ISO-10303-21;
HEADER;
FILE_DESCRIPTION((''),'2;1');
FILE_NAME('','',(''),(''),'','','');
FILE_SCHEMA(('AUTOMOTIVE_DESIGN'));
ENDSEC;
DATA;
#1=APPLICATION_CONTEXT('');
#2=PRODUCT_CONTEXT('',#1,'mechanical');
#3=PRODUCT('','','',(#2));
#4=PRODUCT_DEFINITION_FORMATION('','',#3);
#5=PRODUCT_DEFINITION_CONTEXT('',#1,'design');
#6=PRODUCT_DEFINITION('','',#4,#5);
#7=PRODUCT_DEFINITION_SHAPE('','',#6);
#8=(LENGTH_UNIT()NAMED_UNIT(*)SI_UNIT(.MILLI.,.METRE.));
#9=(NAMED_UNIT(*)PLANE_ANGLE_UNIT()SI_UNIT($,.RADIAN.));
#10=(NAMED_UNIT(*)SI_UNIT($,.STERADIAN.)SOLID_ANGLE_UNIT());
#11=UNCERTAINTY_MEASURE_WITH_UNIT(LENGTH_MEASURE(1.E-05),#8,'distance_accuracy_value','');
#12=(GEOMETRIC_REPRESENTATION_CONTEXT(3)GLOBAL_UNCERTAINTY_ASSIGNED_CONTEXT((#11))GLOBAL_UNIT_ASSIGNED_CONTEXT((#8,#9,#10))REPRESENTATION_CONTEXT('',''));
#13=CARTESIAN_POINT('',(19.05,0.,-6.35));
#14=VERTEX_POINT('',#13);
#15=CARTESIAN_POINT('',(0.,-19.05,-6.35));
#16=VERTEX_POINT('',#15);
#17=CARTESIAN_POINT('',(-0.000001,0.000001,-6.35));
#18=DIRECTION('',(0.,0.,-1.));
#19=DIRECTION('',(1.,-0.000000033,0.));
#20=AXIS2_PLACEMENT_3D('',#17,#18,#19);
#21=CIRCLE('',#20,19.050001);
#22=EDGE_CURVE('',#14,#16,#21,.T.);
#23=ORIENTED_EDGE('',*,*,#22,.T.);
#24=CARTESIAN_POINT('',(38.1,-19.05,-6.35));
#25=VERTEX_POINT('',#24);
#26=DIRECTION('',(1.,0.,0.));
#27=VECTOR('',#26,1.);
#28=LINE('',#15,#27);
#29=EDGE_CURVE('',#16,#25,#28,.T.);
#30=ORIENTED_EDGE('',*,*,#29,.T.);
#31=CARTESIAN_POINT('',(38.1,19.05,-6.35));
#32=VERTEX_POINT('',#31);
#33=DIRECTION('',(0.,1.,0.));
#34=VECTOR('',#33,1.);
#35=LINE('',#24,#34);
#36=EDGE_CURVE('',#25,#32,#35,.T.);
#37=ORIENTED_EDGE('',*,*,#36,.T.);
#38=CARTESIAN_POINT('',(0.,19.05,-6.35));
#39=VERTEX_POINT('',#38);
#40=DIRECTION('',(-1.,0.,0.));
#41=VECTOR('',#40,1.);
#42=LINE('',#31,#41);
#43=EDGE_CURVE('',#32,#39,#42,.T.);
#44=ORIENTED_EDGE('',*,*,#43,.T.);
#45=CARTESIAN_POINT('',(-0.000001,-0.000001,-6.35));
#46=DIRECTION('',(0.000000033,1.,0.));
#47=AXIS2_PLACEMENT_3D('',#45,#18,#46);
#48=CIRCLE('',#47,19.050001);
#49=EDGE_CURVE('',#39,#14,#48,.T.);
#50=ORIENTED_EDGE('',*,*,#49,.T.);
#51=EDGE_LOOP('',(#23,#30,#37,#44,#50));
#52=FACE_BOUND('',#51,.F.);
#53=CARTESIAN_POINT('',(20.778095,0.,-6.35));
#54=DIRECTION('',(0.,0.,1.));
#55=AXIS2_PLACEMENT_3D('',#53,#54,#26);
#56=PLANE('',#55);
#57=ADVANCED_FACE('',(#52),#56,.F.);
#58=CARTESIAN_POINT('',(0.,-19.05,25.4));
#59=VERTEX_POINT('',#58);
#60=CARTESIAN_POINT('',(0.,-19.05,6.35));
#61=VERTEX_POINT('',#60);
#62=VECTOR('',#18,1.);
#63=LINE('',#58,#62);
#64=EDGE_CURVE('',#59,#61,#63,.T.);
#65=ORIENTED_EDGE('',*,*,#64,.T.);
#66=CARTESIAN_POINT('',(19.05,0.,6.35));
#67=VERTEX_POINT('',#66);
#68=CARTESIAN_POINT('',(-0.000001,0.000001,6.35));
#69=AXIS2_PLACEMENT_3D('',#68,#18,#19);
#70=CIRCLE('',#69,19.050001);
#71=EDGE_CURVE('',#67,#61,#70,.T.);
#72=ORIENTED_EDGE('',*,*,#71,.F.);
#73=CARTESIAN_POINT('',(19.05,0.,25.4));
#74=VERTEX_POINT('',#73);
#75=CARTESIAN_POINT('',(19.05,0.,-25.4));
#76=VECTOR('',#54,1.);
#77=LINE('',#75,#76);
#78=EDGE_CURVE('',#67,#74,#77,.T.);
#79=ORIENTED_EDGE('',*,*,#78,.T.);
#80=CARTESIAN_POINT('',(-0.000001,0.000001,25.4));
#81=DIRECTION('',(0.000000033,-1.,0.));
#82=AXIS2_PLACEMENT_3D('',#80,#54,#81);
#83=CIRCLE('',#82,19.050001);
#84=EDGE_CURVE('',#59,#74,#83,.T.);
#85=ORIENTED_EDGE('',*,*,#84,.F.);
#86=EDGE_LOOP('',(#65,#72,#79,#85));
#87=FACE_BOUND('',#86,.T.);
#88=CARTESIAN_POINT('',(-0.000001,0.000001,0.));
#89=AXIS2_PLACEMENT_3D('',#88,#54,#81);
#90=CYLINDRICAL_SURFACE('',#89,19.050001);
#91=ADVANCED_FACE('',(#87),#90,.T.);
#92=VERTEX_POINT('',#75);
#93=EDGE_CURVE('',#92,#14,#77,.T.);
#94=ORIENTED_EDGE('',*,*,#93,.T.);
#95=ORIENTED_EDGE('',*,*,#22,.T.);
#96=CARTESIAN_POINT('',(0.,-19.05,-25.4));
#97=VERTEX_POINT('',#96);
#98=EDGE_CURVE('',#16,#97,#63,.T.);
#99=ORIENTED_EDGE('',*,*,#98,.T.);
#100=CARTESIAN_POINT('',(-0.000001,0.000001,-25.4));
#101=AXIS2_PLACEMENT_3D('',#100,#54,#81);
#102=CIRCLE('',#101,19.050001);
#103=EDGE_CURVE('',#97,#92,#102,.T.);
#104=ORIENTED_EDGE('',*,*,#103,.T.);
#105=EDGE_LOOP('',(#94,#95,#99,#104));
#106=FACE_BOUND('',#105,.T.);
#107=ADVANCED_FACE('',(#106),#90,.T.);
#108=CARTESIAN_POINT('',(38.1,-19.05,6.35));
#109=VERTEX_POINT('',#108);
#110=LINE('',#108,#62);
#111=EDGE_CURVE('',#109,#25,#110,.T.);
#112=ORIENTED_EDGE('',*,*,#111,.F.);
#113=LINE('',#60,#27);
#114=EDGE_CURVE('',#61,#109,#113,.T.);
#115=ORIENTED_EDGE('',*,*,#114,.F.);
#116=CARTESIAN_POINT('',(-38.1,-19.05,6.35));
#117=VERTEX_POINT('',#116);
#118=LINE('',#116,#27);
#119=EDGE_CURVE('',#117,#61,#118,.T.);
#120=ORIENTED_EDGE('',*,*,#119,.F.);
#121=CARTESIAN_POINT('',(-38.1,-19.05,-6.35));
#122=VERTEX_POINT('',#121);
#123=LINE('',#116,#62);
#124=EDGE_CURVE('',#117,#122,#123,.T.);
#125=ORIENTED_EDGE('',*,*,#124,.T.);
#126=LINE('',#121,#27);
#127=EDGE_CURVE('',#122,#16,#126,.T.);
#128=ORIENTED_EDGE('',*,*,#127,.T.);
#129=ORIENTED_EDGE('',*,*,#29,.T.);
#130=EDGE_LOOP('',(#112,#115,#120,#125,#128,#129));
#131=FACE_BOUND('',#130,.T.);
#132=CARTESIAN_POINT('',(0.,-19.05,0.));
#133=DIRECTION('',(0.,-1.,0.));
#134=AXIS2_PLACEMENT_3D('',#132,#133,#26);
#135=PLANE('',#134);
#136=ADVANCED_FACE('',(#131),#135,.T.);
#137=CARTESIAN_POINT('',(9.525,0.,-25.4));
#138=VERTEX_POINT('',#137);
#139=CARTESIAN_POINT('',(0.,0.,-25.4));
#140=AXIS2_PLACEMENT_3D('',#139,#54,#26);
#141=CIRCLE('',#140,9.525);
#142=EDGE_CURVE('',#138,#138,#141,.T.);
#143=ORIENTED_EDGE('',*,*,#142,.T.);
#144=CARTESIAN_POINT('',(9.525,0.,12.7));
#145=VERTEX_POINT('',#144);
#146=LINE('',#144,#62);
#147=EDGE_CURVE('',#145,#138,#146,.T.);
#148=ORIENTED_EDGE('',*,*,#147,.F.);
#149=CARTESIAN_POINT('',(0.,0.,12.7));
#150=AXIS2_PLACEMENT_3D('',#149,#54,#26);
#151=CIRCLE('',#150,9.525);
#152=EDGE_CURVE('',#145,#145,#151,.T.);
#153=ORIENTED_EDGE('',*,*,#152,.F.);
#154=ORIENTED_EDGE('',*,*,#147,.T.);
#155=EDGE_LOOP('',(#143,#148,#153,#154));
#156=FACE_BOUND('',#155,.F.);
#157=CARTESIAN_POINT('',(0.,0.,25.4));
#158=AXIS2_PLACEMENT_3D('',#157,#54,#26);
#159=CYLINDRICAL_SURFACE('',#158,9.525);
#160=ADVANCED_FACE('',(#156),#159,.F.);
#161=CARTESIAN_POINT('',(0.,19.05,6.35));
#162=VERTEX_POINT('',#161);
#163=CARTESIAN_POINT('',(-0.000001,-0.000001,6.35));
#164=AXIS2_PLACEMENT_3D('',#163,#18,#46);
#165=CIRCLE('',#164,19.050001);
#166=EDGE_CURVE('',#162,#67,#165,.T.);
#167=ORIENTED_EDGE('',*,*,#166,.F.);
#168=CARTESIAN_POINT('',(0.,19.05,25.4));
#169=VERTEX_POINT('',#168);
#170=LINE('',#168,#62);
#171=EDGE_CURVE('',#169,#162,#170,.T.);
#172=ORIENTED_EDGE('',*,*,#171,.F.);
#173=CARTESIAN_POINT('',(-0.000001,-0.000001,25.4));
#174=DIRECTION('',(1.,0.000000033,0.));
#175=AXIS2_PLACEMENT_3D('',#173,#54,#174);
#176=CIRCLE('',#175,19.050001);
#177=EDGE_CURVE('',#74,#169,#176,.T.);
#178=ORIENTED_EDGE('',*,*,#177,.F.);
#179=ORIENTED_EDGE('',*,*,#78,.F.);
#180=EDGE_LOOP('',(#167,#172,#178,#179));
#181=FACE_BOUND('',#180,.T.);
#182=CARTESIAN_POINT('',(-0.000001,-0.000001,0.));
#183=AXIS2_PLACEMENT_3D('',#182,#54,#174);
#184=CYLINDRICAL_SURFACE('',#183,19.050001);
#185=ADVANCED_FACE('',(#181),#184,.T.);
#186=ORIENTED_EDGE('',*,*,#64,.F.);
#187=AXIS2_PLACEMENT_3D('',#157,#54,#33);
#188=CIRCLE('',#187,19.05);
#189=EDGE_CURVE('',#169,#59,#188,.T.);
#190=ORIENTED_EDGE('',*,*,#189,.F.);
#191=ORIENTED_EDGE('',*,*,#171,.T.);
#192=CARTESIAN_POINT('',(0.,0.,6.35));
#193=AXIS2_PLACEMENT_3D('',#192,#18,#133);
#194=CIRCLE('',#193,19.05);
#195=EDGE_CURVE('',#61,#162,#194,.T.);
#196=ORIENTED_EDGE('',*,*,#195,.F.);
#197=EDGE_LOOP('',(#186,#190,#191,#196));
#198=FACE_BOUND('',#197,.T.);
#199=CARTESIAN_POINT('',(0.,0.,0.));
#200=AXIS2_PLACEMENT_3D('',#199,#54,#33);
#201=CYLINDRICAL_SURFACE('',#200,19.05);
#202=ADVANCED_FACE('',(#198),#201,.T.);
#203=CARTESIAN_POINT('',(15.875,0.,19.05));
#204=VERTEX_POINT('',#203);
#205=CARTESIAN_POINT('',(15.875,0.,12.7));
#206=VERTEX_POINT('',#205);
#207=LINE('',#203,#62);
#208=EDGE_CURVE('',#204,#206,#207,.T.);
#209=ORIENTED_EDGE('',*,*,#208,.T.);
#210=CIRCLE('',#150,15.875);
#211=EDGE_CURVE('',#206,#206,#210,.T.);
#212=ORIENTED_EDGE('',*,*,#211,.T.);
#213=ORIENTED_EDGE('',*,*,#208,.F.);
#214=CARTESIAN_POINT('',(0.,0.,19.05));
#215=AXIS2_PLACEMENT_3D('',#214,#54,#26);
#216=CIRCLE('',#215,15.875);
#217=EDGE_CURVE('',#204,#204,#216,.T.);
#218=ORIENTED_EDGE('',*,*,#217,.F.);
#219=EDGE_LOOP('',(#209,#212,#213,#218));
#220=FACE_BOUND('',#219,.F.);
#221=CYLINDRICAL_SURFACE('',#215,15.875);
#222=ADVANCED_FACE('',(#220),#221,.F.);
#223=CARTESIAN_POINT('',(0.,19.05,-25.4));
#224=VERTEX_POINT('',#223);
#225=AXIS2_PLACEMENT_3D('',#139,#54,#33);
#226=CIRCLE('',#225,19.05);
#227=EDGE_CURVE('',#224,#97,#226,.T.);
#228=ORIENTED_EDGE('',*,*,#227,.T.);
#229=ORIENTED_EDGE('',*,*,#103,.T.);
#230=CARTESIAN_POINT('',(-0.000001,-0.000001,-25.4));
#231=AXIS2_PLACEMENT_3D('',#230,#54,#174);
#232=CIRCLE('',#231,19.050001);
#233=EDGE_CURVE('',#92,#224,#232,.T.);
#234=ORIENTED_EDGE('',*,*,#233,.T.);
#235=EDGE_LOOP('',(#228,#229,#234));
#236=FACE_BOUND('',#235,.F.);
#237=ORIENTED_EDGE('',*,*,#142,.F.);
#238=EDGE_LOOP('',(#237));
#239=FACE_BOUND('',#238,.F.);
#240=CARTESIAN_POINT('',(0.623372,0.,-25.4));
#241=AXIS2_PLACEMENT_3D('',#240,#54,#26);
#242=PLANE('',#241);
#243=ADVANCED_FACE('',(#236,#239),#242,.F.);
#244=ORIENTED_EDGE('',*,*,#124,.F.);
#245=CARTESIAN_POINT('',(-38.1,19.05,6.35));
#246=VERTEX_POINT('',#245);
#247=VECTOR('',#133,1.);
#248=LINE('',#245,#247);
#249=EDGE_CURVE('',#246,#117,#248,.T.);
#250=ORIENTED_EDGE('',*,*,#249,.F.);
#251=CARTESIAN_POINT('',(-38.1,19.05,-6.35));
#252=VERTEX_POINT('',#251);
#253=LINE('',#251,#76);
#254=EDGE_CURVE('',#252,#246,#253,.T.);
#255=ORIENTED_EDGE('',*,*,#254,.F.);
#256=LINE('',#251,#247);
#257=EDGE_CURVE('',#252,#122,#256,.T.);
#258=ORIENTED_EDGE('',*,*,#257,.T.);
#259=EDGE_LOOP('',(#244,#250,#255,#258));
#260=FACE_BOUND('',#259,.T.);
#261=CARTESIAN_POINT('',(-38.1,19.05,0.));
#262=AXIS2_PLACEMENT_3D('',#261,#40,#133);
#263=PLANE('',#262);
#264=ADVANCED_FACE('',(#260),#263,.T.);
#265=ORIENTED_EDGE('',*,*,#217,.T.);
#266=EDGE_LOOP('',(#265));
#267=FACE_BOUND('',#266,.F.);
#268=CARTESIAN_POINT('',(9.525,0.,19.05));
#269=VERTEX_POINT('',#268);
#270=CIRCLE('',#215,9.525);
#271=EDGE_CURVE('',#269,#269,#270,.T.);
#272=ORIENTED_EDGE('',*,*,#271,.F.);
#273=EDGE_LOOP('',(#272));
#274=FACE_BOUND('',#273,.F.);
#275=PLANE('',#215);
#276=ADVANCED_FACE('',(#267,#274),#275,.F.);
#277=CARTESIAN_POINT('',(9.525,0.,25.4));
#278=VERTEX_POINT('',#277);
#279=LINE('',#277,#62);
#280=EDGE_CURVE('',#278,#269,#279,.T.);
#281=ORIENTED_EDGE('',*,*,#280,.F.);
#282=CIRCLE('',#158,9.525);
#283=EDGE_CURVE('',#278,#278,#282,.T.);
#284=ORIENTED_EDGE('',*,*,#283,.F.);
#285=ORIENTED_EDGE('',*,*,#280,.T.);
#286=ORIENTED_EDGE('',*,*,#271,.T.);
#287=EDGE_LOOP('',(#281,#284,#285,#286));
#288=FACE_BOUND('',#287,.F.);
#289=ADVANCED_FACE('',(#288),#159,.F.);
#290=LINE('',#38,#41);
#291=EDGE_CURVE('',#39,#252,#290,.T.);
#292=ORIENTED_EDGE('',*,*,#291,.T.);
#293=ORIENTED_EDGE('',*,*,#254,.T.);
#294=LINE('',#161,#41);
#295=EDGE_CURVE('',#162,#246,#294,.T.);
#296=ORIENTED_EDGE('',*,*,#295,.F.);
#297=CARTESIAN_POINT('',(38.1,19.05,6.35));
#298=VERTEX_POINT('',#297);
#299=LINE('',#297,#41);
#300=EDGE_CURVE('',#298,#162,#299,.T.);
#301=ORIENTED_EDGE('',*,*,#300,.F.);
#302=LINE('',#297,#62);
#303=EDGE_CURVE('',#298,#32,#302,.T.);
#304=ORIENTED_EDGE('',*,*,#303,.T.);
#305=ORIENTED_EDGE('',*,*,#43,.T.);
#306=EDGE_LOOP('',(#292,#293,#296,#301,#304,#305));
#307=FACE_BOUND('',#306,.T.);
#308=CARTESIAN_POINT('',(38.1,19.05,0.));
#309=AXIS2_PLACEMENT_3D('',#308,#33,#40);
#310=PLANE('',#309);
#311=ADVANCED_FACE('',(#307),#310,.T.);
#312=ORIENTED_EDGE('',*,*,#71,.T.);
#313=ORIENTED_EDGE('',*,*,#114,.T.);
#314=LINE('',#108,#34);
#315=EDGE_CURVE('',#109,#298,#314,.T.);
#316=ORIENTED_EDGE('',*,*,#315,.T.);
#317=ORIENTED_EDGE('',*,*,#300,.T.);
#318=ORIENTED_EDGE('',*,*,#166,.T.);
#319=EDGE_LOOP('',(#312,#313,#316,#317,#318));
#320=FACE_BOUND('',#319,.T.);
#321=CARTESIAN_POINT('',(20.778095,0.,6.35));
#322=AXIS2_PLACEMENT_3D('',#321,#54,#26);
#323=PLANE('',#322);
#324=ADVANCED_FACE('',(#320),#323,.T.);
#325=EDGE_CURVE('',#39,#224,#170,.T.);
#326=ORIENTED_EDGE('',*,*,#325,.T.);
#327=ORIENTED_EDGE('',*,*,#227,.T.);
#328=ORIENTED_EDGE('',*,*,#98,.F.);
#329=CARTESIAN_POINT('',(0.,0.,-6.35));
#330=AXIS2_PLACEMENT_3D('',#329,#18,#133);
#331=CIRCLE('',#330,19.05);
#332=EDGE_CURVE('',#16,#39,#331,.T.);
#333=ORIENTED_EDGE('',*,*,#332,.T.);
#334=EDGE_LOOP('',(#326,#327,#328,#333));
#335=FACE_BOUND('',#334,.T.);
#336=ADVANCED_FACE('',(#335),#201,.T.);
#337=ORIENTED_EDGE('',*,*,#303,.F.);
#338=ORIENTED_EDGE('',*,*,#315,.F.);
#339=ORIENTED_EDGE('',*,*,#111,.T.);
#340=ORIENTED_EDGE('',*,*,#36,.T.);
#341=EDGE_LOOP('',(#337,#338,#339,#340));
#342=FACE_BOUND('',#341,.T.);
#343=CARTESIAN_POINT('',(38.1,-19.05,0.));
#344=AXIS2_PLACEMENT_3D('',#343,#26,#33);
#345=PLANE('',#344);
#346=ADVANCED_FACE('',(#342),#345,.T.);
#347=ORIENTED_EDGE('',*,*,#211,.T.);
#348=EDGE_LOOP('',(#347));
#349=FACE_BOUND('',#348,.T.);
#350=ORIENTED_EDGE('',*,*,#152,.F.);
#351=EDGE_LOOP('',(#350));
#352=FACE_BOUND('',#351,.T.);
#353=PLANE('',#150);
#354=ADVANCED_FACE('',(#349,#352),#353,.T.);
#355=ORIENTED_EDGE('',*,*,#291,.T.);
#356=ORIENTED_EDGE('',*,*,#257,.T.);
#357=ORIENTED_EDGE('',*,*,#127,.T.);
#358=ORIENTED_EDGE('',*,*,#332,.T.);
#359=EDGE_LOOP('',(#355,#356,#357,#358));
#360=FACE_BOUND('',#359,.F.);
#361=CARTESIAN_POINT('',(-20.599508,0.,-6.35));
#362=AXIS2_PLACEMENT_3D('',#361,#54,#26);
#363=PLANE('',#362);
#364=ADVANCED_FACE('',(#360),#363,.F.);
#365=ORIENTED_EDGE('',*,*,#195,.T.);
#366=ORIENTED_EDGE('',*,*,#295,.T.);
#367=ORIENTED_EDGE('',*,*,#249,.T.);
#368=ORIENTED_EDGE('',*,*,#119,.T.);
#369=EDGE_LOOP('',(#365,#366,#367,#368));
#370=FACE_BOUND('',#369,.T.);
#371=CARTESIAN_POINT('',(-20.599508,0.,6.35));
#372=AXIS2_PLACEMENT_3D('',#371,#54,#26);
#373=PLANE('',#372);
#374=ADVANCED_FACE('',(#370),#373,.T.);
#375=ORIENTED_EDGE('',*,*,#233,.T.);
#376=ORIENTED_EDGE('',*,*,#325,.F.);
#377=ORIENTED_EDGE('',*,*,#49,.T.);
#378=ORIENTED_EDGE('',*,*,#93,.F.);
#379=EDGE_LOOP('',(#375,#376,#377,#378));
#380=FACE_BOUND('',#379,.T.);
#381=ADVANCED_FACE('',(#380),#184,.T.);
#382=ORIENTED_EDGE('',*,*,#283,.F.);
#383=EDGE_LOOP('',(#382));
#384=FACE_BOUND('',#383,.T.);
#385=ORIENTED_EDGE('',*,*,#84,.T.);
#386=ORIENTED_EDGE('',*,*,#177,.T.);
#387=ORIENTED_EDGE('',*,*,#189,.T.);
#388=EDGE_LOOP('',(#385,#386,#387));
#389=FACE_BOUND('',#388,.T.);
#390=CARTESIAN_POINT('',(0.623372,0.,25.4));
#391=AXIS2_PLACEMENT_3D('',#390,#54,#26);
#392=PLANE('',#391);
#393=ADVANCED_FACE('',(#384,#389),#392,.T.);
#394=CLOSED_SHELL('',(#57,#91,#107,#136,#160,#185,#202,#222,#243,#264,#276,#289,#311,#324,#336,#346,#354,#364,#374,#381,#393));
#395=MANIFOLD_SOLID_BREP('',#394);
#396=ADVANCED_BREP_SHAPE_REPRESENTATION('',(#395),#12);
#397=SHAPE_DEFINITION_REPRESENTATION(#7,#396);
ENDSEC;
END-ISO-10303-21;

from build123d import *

# Parameters (mm, degrees)
F1_DEPTH = 25.4
F2_R     = 9.525
F3_DEPTH = 6.35
F4_R     = 15.875
F5_DEPTH = 6.35
F6_R     = 9.525
F7_DEPTH = 76.2
F8_DEPTH = 6.35


with BuildPart() as f1:
    # F0 (on Top) → F1 (new body, symmetric)
    with BuildSketch(Plane.XY):
        with BuildLine():
            ThreePointArc((0, -19.05), (13.470384, -13.470384), (19.05, 0))
            ThreePointArc((19.05, 0), (13.470384, 13.470384), (0, 19.05))
            ThreePointArc((0, 19.05), (-19.05, 0), (0, -19.05))
        make_face()
    extrude(amount=F1_DEPTH, both=True)

    # F2 (on face) → F3 (cut)
    with BuildSketch(Plane.XY.offset(12.7)):
        Circle(F2_R)
    extrude(amount=-F3_DEPTH, mode=Mode.SUBTRACT)

    # F4 (on face) → F5 (cut)
    with BuildSketch(Plane.XY.offset(19.05)):
        Circle(F4_R)
    extrude(amount=-F5_DEPTH, mode=Mode.SUBTRACT)

    # F6 (on face) → F7 (cut)
    with BuildSketch(Plane.XY.offset(25.4)):
        Circle(F6_R)
    extrude(amount=-F7_DEPTH, mode=Mode.SUBTRACT)

    # F0 (on Top) → F8 (join, symmetric)
    with BuildSketch(Plane.XY):
        with BuildLine():
            ThreePointArc((0, -19.05), (-19.05, 0), (0, 19.05))
            Line((0, 19.05), (-38.1, 19.05))
            Line((-38.1, 19.05), (-38.1, -19.05))
            Line((-38.1, -19.05), (0, -19.05))
        make_face()
        with BuildLine():
            ThreePointArc((0, 19.05), (13.470384, 13.470384), (19.05, 0))
            ThreePointArc((19.05, 0), (13.470384, -13.470384), (0, -19.05))
            Line((0, -19.05), (38.1, -19.05))
            Line((38.1, -19.05), (38.1, 19.05))
            Line((38.1, 19.05), (0, 19.05))
        make_face()
    extrude(amount=F8_DEPTH, both=True)


solid = f1.part
